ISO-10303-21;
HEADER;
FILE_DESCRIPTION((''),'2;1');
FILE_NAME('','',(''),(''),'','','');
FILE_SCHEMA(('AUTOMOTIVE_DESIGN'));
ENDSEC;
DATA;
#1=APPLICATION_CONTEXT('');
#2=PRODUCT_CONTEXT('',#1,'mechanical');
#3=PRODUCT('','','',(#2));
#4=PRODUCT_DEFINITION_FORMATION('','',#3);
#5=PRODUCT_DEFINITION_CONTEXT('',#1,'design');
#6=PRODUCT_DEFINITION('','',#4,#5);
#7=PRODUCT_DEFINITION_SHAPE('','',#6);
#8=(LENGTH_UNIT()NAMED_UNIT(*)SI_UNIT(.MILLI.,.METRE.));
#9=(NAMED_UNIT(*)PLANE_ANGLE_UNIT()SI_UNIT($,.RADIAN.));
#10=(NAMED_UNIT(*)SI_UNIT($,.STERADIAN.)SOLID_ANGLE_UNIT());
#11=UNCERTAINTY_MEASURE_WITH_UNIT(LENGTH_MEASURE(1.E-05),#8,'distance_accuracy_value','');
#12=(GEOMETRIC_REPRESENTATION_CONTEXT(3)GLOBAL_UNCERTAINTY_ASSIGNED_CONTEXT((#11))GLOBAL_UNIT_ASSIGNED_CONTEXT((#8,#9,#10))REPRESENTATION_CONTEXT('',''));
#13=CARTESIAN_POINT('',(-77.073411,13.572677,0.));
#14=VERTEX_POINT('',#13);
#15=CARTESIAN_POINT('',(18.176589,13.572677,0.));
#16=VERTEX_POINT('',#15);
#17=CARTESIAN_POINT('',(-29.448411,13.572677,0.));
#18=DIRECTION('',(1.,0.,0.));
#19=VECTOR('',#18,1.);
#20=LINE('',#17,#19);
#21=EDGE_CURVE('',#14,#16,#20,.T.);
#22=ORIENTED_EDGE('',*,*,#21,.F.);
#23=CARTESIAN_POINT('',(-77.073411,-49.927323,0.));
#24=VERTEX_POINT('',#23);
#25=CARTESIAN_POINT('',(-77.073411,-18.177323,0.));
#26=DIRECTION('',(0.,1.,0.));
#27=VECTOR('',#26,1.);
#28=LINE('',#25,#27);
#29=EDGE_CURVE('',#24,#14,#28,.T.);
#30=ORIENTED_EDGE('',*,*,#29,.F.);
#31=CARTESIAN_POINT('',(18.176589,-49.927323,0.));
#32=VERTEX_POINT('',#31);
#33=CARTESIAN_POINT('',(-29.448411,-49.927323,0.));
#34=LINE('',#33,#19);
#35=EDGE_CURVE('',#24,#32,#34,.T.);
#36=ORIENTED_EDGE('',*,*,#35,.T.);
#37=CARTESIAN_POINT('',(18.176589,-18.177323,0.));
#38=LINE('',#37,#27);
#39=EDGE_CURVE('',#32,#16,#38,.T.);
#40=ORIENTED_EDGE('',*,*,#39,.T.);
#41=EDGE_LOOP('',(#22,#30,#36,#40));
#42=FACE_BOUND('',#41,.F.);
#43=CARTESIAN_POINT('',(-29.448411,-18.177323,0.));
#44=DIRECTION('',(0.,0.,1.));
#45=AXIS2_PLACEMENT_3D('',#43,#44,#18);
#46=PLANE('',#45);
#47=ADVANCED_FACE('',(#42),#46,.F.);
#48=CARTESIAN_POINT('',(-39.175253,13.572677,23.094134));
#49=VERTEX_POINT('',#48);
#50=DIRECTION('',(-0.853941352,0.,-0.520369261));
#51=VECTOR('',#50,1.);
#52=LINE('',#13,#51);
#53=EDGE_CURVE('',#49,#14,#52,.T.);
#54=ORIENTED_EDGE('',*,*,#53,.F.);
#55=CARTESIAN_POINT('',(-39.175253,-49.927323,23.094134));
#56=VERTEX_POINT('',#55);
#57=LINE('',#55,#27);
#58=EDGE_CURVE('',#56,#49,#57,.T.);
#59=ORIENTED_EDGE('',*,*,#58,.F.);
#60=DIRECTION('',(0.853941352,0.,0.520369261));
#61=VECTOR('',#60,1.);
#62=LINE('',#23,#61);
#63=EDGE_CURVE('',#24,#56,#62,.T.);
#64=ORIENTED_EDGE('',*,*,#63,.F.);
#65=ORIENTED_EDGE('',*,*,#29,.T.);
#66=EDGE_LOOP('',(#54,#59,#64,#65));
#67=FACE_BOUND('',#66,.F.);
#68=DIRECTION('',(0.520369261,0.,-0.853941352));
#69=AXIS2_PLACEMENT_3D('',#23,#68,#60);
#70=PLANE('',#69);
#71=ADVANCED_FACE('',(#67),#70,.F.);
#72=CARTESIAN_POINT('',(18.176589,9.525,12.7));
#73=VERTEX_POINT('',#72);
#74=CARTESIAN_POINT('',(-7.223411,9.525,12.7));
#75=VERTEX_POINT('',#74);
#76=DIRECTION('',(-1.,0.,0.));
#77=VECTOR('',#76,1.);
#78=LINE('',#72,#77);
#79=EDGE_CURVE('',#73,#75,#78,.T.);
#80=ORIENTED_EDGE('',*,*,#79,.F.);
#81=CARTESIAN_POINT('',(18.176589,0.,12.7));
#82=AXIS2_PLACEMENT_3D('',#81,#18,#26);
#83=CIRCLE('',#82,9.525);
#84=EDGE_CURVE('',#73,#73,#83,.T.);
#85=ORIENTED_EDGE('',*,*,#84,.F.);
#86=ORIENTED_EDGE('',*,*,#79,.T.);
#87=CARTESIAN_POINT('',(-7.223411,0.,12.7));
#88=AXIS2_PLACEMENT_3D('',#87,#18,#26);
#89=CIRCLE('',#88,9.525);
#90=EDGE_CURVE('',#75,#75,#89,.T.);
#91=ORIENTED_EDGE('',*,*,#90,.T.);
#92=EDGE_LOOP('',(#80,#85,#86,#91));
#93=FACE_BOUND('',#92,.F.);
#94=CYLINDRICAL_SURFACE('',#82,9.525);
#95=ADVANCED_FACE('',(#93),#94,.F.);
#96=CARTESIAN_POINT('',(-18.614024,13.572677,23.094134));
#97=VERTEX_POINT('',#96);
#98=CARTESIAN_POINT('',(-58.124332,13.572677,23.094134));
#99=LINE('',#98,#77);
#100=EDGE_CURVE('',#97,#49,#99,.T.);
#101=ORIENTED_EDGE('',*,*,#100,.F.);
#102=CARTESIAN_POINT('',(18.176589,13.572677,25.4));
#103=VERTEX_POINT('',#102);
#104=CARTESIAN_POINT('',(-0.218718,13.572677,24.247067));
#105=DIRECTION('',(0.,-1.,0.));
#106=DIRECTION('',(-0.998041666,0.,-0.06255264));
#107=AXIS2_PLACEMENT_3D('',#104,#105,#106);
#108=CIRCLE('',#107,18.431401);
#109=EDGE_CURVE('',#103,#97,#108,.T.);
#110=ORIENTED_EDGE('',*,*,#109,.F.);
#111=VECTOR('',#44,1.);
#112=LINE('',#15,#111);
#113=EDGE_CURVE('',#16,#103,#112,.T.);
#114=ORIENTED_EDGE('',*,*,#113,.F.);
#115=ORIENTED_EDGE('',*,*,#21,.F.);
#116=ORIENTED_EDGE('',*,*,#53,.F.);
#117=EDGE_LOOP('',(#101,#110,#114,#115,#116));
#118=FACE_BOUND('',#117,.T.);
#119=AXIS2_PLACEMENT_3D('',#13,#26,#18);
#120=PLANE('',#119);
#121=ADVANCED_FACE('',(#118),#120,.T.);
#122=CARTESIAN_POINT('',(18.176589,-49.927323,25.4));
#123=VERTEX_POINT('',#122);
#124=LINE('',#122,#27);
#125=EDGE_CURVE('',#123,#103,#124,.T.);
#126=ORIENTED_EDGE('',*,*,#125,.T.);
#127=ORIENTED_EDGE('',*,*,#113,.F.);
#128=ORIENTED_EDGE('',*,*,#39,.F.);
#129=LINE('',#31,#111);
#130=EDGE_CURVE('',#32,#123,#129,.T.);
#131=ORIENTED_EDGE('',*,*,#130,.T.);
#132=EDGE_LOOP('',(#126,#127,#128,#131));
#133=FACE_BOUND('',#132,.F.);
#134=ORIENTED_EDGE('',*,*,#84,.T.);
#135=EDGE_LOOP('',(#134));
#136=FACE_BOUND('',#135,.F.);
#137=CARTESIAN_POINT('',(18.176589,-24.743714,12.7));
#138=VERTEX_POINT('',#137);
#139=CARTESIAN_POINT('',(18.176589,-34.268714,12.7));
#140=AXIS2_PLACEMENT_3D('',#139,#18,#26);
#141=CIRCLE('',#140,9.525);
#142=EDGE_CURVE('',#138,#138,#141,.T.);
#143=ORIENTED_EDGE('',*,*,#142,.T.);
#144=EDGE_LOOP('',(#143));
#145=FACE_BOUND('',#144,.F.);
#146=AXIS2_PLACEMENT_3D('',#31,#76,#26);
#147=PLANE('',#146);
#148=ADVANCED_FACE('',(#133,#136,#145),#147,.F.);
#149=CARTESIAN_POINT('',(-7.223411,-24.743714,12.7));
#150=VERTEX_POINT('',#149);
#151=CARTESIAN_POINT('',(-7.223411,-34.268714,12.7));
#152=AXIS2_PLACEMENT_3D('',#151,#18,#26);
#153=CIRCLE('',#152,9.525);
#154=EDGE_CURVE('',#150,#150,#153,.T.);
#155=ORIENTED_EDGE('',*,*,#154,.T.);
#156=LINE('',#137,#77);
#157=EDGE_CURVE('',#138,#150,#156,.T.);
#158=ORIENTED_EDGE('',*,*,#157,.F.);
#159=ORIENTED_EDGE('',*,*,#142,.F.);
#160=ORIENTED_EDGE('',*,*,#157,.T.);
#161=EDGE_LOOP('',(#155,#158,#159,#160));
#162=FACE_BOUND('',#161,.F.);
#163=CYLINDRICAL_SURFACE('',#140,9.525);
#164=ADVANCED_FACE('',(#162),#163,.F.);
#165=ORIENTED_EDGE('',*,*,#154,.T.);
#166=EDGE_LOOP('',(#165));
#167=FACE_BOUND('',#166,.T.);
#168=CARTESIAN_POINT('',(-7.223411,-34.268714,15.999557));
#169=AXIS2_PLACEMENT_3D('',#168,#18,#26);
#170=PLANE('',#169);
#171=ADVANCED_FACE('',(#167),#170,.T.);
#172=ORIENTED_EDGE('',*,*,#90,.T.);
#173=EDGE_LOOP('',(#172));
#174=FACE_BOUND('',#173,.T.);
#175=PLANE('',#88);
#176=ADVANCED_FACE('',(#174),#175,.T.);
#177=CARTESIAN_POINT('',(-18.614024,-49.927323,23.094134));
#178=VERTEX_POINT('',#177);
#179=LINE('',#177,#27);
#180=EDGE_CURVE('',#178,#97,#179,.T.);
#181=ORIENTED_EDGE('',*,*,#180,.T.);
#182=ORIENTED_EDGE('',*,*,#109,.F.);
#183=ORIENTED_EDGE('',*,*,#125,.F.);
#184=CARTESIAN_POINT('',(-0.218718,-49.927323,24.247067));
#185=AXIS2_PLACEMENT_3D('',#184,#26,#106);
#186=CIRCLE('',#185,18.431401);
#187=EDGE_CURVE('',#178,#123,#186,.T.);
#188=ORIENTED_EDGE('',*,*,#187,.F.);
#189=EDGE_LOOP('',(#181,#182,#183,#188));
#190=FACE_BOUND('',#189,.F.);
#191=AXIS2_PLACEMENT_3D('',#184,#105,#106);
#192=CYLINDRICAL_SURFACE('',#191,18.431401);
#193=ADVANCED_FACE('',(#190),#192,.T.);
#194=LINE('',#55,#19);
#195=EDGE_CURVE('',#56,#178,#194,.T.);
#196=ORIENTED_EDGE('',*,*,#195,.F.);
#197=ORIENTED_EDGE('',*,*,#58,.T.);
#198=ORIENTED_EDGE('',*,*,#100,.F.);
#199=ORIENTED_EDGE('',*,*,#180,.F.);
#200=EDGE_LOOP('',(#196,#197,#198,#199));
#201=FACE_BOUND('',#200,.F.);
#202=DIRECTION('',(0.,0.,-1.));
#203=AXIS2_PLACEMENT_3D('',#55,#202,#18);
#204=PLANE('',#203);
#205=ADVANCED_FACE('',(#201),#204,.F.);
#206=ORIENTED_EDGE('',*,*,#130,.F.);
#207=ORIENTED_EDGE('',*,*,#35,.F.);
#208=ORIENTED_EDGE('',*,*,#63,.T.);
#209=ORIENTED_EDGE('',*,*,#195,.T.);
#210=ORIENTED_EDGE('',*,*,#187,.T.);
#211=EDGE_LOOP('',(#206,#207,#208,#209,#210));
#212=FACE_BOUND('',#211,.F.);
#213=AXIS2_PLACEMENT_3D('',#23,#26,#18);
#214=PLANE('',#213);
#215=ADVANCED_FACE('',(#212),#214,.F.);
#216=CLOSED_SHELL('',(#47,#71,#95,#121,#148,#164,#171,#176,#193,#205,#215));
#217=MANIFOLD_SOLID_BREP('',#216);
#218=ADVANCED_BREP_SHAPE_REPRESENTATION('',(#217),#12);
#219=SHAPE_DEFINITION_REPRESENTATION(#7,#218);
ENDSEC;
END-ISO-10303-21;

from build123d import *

# Parameters (mm, degrees)
F0_W     = 95.25
F0_H     = 63.5
F1_DEPTH = 50.8
F3_DEPTH = 63.501
F5_DEPTH = 25.4
F6_R     = 9.525
F7_DEPTH = 25.4


with BuildPart() as f1:
    # F0 (on Top) → F1 (new body)
    with BuildSketch(Plane.XY):
        with Locations((-29.448411174, -18.1773232762)):
            Rectangle(F0_W, F0_H)
    extrude(amount=F1_DEPTH)

    # F2 (on face) → F3 (cut, through all)
    with BuildSketch(Plane.XZ.offset(49.9273232762)):
        with BuildLine():
            Line((-77.073411174, 50.8), (-77.073411174, 0))
            Line((-77.073411174, 0), (-39.1752533615, 23.0941344053))
            Line((-39.1752533615, 23.0941344053), (-18.6140239239, 23.0941344053))
            ThreePointArc((-18.6140239239, 23.0941344053), (-1.3716503463, 42.6423735776), (18.176588826, 25.4))
            Line((18.176588826, 25.4), (18.176588826, 50.8))
            Line((18.176588826, 50.8), (-77.073411174, 50.8))
        make_face()
    extrude(amount=-F3_DEPTH, mode=Mode.SUBTRACT)

    # F4 (on face) → F5 (cut)
    with BuildSketch(Plane.YZ.offset(18.176588826)):
        with BuildLine():
            ThreePointArc((-24.7437144876, 12.7), (-34.2687144876, 22.225), (-43.7937144876, 12.7))
            Line((-43.7937144876, 12.7), (-24.7437144876, 12.7))
        make_face()
        with BuildLine():
            Line((-24.7437144876, 12.7), (-43.7937144876, 12.7))
            ThreePointArc((-43.7937144876, 12.7), (-34.2687144876, 3.175), (-24.7437144876, 12.7))
        make_face()
        with BuildLine():
            ThreePointArc((-43.7937144876, 12.7), (-34.2687144876, 3.175), (-24.7437144876, 12.7))
            Line((-24.7437144876, 12.7), (-43.7937144876, 12.7))
        make_face()
    extrude(amount=-F5_DEPTH, mode=Mode.SUBTRACT)

    # F6 (on face) → F7 (cut)
    with BuildSketch(Plane.YZ.offset(18.176588826)):
        with Locations((0, 12.7)):
            Circle(F6_R)
    extrude(amount=-F7_DEPTH, mode=Mode.SUBTRACT)


solid = f1.part
